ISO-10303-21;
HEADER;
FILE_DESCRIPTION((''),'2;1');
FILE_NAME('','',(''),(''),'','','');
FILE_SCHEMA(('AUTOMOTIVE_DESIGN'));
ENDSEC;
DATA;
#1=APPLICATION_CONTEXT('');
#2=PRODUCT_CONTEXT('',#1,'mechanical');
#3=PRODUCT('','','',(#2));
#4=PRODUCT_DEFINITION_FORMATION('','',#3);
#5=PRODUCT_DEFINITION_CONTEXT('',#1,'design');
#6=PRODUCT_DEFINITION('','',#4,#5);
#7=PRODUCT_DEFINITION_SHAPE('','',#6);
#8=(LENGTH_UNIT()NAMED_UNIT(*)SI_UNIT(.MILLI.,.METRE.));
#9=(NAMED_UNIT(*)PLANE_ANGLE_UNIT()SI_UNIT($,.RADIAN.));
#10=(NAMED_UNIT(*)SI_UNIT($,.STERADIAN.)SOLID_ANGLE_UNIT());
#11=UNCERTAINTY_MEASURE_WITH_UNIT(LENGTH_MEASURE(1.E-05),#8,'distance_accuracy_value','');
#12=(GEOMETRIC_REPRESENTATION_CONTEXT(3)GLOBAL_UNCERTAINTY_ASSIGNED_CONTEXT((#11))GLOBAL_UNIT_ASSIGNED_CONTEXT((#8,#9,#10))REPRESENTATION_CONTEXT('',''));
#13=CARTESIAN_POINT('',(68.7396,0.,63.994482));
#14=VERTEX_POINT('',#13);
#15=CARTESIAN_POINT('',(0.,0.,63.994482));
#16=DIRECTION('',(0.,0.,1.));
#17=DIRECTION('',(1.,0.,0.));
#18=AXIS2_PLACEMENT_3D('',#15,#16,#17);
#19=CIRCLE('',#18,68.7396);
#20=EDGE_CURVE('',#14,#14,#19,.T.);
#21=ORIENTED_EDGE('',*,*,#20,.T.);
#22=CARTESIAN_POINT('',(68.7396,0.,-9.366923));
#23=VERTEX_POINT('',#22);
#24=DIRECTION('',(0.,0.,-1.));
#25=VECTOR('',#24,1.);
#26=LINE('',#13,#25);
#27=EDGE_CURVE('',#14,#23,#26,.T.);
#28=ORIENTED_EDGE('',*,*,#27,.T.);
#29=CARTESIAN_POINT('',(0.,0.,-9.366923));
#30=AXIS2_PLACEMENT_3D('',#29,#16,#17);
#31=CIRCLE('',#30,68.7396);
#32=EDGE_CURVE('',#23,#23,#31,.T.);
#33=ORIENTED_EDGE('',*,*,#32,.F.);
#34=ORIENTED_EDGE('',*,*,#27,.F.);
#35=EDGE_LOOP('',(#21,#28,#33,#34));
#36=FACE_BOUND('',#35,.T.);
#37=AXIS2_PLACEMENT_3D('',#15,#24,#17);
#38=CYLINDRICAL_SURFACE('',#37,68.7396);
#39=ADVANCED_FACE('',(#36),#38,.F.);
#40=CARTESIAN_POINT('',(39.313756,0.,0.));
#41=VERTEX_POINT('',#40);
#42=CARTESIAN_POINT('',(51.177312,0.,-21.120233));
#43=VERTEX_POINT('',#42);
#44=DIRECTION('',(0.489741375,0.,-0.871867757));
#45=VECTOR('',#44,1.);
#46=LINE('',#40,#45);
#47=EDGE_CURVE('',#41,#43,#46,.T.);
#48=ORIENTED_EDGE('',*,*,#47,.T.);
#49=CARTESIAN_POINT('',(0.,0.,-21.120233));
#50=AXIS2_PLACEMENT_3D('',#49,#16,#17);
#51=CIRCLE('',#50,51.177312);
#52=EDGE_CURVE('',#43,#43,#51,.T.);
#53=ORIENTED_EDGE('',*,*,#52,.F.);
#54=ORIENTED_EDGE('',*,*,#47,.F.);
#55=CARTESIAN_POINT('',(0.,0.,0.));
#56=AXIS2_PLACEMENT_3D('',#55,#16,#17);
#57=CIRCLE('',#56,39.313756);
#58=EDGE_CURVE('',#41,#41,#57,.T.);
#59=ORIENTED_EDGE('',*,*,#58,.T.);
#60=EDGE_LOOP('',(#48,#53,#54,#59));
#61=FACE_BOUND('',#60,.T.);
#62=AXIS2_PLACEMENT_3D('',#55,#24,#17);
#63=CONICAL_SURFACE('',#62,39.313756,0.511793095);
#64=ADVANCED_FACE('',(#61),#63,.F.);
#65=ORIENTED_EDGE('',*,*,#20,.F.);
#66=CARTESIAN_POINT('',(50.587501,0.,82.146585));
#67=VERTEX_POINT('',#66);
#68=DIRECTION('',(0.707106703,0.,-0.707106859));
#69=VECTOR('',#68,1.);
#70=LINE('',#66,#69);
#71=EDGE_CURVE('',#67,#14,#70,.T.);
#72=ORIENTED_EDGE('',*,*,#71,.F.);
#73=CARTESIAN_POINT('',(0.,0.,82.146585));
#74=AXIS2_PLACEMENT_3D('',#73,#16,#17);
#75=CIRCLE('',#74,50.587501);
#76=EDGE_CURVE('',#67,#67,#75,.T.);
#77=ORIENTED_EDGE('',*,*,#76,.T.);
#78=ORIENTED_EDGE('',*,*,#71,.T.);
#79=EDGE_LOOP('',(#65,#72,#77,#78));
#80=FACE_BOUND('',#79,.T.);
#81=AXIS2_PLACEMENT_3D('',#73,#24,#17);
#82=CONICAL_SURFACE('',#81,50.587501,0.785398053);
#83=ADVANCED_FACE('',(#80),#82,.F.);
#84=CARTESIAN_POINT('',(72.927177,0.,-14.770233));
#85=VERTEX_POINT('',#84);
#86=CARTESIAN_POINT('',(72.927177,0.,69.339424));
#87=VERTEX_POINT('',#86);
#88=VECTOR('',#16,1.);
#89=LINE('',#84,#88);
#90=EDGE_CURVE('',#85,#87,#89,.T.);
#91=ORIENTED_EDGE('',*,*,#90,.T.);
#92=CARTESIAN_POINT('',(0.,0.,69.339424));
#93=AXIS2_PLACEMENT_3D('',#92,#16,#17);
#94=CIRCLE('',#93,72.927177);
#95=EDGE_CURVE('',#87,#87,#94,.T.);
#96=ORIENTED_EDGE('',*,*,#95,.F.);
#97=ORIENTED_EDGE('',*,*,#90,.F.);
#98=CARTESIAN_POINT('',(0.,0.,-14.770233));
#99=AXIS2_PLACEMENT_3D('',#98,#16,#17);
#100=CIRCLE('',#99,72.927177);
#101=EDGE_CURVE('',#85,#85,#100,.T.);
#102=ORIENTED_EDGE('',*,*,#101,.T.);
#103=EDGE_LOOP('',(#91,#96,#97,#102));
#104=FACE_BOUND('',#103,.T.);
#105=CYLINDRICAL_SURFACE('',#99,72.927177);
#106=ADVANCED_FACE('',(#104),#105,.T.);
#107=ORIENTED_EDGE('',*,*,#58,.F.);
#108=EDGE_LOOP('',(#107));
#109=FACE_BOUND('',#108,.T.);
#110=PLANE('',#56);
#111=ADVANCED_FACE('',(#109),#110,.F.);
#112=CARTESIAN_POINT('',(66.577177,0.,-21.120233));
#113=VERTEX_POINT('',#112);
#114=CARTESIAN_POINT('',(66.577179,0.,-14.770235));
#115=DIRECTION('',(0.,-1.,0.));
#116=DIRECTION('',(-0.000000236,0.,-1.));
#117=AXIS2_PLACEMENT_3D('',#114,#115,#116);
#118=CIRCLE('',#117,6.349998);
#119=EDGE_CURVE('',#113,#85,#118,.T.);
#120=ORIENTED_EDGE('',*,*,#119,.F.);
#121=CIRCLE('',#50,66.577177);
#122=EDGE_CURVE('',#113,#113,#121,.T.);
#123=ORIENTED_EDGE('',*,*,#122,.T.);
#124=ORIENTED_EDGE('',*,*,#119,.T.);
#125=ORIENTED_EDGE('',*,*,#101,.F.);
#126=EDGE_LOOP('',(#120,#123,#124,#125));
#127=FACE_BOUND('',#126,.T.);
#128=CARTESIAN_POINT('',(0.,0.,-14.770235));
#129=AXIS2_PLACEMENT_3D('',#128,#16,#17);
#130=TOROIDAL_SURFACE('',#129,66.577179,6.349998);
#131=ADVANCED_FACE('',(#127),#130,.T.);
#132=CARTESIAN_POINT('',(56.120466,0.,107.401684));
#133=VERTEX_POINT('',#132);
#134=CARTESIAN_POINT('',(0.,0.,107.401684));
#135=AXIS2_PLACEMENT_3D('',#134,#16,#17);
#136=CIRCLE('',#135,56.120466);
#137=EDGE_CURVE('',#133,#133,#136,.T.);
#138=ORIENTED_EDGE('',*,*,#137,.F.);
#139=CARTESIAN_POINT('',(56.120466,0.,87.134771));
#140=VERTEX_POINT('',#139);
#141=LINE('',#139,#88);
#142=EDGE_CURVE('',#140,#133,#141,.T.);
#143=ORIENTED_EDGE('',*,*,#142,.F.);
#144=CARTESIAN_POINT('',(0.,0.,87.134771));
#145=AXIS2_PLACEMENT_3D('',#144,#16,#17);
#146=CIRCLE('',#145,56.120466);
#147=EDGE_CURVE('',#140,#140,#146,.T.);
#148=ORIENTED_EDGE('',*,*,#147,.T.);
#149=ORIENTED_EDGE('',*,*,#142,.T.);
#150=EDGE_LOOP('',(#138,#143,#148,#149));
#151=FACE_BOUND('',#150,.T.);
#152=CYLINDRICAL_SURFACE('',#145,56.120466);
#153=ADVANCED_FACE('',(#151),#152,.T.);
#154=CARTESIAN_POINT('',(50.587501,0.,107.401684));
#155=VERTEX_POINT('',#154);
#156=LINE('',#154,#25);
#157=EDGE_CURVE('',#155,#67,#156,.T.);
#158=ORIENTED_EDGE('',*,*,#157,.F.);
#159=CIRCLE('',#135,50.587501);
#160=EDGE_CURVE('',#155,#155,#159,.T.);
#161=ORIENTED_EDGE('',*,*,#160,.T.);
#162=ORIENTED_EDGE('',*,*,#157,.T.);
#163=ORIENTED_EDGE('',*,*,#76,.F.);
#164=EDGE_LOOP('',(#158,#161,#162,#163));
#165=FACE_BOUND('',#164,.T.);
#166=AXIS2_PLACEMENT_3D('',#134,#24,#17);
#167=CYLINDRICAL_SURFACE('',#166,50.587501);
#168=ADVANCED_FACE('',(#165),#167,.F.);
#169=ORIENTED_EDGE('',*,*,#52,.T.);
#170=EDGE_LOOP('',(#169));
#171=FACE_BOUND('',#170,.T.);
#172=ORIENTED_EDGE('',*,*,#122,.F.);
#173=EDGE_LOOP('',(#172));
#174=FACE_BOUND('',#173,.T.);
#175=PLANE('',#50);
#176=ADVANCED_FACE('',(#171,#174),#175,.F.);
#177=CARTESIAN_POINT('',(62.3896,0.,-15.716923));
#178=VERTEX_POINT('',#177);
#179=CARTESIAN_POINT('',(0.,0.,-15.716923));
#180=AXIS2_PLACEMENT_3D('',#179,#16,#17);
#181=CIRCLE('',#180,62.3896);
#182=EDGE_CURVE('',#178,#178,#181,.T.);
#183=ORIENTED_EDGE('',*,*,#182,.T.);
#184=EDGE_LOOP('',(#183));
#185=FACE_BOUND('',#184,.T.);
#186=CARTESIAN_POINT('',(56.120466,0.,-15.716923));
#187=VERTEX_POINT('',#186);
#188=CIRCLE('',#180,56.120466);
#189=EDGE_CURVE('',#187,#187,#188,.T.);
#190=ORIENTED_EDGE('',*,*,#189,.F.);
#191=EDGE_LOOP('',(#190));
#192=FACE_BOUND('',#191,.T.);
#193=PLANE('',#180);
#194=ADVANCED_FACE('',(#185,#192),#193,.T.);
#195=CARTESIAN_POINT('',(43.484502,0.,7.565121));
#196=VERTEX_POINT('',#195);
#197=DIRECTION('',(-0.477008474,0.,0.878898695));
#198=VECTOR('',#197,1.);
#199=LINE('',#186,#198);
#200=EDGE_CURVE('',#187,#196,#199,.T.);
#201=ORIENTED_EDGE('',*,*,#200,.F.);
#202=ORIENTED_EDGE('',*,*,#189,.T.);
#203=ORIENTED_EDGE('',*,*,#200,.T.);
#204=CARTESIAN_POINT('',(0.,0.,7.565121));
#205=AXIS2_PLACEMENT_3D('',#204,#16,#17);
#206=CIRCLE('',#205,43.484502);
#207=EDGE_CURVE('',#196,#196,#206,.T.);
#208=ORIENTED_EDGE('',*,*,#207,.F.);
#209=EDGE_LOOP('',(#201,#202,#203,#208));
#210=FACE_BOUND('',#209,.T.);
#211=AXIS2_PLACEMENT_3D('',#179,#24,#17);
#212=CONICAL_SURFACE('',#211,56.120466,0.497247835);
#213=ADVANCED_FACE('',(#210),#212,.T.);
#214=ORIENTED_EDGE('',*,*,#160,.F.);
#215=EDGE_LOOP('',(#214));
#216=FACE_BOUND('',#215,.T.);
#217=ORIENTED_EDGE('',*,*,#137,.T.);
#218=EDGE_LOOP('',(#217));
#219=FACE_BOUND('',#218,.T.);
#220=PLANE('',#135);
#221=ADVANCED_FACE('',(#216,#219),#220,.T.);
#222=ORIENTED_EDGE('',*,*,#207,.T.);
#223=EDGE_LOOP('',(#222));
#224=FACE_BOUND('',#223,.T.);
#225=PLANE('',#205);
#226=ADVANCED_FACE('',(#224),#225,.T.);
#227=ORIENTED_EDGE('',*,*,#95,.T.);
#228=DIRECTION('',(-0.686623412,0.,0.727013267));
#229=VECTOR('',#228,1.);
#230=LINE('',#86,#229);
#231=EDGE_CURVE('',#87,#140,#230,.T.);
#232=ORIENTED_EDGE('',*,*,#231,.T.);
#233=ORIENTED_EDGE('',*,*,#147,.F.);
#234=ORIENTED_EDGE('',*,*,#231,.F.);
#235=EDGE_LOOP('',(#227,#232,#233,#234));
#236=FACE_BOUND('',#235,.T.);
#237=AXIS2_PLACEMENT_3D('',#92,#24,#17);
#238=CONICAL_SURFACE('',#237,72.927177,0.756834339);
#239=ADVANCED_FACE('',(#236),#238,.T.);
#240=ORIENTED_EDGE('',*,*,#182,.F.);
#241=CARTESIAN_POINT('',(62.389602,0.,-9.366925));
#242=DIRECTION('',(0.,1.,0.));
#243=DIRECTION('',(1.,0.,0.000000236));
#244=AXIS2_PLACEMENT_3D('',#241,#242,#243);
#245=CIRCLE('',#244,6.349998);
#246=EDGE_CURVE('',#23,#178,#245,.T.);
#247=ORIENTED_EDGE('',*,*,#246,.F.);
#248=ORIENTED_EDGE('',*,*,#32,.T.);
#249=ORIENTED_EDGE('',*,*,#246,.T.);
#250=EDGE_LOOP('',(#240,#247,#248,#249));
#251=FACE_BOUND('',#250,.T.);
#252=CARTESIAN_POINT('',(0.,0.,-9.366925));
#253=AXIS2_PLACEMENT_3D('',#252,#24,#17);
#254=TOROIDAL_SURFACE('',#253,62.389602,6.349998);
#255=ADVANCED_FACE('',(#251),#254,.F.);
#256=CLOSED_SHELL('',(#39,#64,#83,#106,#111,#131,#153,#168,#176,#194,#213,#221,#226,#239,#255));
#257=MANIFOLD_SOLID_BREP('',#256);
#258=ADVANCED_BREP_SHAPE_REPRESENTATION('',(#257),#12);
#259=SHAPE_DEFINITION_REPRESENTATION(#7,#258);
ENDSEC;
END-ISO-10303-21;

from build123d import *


with BuildPart() as f1:
    # F0 (on Front) → F1 (revolve)
    with BuildSketch(Plane.XZ):
        with BuildLine():
            Line((0, 7.565121), (0, 0))
            Line((0, 0), (39.313756, 0))
            Line((39.313756, 0), (51.177312, -21.120233))
            Line((51.177312, -21.120233), (66.577177, -21.120233))
            ThreePointArc((66.577177, -21.120233), (71.067305, -19.260362), (72.927177, -14.770233))
            Line((72.927177, -14.770233), (72.927177, 69.339424))
            Line((72.927177, 69.339424), (56.120466, 87.134771))
            Line((56.120466, 87.134771), (56.120466, 107.401684))
            Line((56.120466, 107.401684), (50.587501, 107.401684))
            Line((50.587501, 107.401684), (50.587501, 82.146585))
            Line((50.587501, 82.146585), (68.7396, 63.994482))
            Line((68.7396, 63.994482), (68.7396, -9.366923))
            ThreePointArc((68.7396, -9.366923), (66.879729, -13.857051), (62.3896, -15.716923))
            Line((62.3896, -15.716923), (56.120466, -15.716923))
            Line((56.120466, -15.716923), (43.484502, 7.565121))
            Line((43.484502, 7.565121), (0, 7.565121))
        make_face()
    revolve(axis=Axis((0, 0, 35.899226), (0, 0, 1)))


solid = f1.part
